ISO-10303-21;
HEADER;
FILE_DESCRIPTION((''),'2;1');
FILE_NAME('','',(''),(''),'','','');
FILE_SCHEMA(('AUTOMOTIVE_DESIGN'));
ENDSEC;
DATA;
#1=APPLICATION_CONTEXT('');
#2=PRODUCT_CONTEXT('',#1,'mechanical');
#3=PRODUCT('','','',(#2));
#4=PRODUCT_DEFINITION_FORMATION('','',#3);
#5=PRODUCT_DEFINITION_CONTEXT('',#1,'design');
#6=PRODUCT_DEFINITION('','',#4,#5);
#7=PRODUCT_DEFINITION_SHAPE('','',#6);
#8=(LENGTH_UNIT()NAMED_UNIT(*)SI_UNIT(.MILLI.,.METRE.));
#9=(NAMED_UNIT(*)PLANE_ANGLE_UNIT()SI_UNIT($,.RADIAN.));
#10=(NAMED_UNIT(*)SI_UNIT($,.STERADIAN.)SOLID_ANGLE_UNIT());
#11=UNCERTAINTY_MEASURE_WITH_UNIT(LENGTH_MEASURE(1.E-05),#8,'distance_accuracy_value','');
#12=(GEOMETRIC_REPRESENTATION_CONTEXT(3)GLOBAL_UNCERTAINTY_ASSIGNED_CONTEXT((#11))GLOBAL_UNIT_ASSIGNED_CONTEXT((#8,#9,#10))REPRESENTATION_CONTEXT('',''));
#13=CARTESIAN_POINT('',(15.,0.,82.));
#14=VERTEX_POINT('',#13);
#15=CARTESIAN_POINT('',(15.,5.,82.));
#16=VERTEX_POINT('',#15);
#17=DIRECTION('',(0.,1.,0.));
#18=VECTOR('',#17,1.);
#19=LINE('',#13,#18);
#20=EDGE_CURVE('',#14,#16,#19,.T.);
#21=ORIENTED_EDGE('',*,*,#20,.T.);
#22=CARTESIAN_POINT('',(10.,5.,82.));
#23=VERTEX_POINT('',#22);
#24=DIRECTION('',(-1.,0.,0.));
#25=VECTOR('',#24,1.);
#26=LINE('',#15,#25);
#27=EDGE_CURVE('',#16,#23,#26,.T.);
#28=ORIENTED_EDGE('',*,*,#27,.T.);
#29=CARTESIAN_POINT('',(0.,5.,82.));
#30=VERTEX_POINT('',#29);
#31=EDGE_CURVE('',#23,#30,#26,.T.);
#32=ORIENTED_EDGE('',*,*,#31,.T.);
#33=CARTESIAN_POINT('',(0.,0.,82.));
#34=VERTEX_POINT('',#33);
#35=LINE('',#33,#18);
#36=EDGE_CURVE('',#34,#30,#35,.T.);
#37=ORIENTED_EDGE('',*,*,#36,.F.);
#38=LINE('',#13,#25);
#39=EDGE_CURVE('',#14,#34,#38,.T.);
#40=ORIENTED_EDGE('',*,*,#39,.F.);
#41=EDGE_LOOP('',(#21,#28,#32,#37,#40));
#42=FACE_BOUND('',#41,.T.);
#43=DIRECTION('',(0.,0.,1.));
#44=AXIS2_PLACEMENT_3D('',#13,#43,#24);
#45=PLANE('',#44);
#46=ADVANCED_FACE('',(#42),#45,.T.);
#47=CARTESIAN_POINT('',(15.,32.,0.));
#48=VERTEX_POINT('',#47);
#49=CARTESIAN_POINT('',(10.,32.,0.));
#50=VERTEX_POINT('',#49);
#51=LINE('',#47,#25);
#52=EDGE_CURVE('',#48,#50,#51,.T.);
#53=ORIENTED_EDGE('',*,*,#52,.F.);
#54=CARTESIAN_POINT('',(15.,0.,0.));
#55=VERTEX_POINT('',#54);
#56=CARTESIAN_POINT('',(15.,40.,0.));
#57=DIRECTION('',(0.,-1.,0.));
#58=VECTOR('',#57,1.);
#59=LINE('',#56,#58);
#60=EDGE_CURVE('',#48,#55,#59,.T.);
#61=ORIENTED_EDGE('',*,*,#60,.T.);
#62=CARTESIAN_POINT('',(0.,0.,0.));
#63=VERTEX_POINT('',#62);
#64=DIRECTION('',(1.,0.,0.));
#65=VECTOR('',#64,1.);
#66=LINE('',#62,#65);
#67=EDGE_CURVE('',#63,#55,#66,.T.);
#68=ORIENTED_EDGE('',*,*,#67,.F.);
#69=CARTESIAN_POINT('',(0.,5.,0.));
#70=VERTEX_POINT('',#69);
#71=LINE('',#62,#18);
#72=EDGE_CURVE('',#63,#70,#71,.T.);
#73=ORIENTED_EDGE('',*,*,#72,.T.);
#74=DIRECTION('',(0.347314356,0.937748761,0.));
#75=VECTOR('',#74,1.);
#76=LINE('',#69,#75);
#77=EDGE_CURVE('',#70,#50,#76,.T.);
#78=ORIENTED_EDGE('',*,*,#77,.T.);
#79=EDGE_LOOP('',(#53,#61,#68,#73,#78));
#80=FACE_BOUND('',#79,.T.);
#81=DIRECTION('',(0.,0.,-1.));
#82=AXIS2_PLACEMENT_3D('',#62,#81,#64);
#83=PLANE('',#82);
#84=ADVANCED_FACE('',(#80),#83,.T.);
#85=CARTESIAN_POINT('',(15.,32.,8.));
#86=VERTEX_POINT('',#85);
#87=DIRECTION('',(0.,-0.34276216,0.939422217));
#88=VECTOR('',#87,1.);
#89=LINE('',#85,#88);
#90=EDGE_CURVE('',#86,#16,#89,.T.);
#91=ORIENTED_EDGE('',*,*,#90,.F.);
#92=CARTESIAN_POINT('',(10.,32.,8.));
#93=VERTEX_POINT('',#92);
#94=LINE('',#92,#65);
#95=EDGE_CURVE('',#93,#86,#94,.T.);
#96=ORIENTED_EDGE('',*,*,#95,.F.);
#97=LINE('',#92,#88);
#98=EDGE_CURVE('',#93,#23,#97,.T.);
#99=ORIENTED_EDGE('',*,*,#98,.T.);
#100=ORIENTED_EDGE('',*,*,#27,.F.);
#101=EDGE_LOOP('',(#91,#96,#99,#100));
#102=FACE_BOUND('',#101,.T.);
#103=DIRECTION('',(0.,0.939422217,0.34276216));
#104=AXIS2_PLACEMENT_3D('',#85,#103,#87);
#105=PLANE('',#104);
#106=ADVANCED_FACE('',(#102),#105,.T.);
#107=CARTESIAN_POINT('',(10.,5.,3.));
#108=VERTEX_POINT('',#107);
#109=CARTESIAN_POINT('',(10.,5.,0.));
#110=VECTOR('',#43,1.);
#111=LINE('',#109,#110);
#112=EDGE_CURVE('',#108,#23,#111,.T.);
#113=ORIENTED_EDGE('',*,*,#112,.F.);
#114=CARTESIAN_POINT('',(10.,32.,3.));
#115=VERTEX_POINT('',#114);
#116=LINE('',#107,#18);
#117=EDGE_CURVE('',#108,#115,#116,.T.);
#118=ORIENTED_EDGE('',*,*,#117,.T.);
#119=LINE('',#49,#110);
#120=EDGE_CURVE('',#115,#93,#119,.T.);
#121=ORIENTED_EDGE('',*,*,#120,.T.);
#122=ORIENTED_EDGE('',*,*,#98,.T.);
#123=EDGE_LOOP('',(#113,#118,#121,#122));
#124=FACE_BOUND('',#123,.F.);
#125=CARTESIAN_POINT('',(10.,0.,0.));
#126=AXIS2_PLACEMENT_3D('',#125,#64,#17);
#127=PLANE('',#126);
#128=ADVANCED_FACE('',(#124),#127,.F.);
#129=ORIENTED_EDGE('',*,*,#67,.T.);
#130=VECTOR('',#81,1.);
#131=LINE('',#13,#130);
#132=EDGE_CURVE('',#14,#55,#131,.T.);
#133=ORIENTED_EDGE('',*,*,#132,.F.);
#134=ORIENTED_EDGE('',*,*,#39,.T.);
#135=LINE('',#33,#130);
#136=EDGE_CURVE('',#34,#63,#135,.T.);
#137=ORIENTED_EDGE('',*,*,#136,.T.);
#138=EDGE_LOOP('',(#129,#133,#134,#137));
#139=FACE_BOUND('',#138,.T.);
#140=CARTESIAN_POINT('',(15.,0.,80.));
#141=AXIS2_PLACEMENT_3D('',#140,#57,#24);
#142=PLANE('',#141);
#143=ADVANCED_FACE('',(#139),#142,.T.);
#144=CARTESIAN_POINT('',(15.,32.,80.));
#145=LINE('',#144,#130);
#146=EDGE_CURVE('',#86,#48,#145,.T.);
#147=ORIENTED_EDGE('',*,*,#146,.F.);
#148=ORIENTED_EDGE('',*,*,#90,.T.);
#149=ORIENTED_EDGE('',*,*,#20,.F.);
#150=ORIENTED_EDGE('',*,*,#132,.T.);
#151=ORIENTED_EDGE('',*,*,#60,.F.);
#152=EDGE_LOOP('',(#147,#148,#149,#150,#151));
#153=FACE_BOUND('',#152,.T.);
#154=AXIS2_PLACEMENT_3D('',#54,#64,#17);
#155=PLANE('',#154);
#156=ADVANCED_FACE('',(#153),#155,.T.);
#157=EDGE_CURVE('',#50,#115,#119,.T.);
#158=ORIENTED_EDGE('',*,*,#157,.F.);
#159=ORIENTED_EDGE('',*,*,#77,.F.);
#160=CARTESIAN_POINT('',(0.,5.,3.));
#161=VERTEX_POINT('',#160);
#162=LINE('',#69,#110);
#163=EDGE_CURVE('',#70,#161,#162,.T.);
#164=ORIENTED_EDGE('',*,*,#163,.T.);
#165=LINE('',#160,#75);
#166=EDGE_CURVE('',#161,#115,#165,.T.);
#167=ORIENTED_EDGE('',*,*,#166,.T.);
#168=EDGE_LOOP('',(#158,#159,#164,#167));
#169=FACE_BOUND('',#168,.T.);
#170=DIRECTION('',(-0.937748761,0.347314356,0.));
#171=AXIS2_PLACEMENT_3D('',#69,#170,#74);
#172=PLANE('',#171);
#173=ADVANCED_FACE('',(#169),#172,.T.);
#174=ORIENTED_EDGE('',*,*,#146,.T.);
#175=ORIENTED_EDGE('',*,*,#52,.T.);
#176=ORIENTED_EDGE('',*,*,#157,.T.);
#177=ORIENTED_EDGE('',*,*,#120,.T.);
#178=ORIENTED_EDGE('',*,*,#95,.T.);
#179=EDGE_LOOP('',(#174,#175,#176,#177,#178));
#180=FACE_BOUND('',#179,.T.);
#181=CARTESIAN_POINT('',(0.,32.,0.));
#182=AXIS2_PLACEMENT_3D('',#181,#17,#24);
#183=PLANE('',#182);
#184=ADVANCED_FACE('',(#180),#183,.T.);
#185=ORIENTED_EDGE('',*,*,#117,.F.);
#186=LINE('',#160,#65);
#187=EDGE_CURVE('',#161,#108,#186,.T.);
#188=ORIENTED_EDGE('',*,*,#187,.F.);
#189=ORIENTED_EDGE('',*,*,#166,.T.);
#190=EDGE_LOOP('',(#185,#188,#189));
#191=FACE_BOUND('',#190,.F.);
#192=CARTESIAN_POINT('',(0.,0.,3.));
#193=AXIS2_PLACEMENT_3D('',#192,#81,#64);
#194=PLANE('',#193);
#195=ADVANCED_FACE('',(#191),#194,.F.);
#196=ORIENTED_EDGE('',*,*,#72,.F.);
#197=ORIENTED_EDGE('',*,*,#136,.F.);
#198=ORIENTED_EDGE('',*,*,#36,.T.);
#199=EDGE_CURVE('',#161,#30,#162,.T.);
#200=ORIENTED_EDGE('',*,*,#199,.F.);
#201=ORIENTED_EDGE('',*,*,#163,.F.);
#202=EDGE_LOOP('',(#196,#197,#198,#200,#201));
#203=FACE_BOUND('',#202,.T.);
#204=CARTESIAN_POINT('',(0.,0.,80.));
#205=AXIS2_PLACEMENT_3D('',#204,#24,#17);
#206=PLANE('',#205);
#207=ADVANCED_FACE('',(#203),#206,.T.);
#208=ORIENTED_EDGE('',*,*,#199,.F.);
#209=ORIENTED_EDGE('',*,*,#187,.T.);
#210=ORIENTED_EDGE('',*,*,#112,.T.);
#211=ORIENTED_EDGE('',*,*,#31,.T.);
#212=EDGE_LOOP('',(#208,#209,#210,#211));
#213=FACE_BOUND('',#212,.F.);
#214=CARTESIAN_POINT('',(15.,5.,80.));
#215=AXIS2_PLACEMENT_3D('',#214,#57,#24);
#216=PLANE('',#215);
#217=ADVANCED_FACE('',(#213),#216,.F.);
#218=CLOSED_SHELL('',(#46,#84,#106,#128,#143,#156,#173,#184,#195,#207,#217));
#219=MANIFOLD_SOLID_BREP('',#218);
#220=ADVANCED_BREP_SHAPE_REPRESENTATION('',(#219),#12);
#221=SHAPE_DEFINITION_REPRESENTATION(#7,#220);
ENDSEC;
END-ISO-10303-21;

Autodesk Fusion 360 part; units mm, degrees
sketch "Sketch1" plane through (0, 0, 0) normal (0, 1, 0) x (1, 0, 0)
  line L0 (0, 0) -> (15, 0)
  line L1 (15, 0) -> (15, -80)
  line L2 (15, -80) -> (0, -80)
  line L3 (0, -80) -> (0, 0)
  dimension "d4" = 15
  dimension "d5" = 80
extrude "Extrude1" add sketch "Sketch1" along normal blind 5
sketch "Sketch3" plane through (0, 5, 0) normal (0, 1, 0) x (-1, 0, 0)
  line L0 (0, 80) -> (-15, 80)
  line L1 (-15, 80) -> (-15, 0)
  line L2 (-15, 0) -> (0, 0)
  line L3 (0, 0) -> (0, 80)
  line L4 (-15, 0) -> (-10, 0)
  line L5 (-10, 0) -> (-10, 8)
  line L6 (-10, 8) -> (-15, 8)
  line L7 (-15, 8) -> (-15, 0)
  dimension "d10" = 5
  dimension "d11" = 8
extrude "Extrude2" add sketch "Sketch3" along normal blind 35 contours L1 L2 L4 L5 L6 L7
sketch "Sketch4" plane through (15, 0, 0) normal (1, 0, 0) x (0, 1, 0)
  line L0 (0, 80) -> (0, 0)
  line L1 (0, 0) -> (40, 0)
  line L2 (40, 0) -> (40, 8)
  line L3 (40, 8) -> (5, 8)
  line L4 (5, 8) -> (5, 80)
  line L5 (5, 80) -> (0, 80)
  line L6 (5, 80) -> (40, 8)
  line L7 (40, 8) -> (5, 8)
  line L8 (5, 8) -> (5, 80)
extrude "Extrude4" add 1 faces at (10, 1.6667, 80) along direction (0, 0, 1) blind 2
extrude "Extrude6" cut 1 faces at (13.3333, 40, 5.3333) along direction (0, -1, 0) blind 8
sketch "Sketch6" plane through (15, 0, 0) normal (1, 0, 0) x (0, 1, 0)
  line L0 (32, 0) -> (32, 8)
  line L1 (32, 8) -> (5, 8)
  line L2 (5, 8) -> (5, 82)
  line L3 (5, 82) -> (0, 82)
  line L4 (0, 82) -> (0, 0)
  line L5 (0, 0) -> (32, 0)
  line L6 (5, 82) -> (5, 8)
  line L7 (5, 8) -> (32, 8)
  line L8 (32, 8) -> (5, 82)
extrude "Extrude7" add sketch "Sketch6" against normal blind 5 contours L1 L2 L6 L7 L8
sketch "Sketch7" plane through (0, 0, 0) normal (0, 0, -1) x (1, 0, 0)
  line L0 (10, -32) -> (15, -32)
  line L1 (15, -32) -> (15, 0)
  line L2 (15, 0) -> (0, 0)
  line L3 (0, 0) -> (0, -5)
  line L4 (0, -5) -> (10, -5)
  line L5 (10, -5) -> (10, -32)
  line L6 (10, -32) -> (10, -5)
  line L7 (10, -5) -> (0, -5)
  line L8 (0, -5) -> (10, -32)
extrude "Extrude8" add sketch "Sketch7" against normal blind 3 contours L4 L5 L6 L7 L8
